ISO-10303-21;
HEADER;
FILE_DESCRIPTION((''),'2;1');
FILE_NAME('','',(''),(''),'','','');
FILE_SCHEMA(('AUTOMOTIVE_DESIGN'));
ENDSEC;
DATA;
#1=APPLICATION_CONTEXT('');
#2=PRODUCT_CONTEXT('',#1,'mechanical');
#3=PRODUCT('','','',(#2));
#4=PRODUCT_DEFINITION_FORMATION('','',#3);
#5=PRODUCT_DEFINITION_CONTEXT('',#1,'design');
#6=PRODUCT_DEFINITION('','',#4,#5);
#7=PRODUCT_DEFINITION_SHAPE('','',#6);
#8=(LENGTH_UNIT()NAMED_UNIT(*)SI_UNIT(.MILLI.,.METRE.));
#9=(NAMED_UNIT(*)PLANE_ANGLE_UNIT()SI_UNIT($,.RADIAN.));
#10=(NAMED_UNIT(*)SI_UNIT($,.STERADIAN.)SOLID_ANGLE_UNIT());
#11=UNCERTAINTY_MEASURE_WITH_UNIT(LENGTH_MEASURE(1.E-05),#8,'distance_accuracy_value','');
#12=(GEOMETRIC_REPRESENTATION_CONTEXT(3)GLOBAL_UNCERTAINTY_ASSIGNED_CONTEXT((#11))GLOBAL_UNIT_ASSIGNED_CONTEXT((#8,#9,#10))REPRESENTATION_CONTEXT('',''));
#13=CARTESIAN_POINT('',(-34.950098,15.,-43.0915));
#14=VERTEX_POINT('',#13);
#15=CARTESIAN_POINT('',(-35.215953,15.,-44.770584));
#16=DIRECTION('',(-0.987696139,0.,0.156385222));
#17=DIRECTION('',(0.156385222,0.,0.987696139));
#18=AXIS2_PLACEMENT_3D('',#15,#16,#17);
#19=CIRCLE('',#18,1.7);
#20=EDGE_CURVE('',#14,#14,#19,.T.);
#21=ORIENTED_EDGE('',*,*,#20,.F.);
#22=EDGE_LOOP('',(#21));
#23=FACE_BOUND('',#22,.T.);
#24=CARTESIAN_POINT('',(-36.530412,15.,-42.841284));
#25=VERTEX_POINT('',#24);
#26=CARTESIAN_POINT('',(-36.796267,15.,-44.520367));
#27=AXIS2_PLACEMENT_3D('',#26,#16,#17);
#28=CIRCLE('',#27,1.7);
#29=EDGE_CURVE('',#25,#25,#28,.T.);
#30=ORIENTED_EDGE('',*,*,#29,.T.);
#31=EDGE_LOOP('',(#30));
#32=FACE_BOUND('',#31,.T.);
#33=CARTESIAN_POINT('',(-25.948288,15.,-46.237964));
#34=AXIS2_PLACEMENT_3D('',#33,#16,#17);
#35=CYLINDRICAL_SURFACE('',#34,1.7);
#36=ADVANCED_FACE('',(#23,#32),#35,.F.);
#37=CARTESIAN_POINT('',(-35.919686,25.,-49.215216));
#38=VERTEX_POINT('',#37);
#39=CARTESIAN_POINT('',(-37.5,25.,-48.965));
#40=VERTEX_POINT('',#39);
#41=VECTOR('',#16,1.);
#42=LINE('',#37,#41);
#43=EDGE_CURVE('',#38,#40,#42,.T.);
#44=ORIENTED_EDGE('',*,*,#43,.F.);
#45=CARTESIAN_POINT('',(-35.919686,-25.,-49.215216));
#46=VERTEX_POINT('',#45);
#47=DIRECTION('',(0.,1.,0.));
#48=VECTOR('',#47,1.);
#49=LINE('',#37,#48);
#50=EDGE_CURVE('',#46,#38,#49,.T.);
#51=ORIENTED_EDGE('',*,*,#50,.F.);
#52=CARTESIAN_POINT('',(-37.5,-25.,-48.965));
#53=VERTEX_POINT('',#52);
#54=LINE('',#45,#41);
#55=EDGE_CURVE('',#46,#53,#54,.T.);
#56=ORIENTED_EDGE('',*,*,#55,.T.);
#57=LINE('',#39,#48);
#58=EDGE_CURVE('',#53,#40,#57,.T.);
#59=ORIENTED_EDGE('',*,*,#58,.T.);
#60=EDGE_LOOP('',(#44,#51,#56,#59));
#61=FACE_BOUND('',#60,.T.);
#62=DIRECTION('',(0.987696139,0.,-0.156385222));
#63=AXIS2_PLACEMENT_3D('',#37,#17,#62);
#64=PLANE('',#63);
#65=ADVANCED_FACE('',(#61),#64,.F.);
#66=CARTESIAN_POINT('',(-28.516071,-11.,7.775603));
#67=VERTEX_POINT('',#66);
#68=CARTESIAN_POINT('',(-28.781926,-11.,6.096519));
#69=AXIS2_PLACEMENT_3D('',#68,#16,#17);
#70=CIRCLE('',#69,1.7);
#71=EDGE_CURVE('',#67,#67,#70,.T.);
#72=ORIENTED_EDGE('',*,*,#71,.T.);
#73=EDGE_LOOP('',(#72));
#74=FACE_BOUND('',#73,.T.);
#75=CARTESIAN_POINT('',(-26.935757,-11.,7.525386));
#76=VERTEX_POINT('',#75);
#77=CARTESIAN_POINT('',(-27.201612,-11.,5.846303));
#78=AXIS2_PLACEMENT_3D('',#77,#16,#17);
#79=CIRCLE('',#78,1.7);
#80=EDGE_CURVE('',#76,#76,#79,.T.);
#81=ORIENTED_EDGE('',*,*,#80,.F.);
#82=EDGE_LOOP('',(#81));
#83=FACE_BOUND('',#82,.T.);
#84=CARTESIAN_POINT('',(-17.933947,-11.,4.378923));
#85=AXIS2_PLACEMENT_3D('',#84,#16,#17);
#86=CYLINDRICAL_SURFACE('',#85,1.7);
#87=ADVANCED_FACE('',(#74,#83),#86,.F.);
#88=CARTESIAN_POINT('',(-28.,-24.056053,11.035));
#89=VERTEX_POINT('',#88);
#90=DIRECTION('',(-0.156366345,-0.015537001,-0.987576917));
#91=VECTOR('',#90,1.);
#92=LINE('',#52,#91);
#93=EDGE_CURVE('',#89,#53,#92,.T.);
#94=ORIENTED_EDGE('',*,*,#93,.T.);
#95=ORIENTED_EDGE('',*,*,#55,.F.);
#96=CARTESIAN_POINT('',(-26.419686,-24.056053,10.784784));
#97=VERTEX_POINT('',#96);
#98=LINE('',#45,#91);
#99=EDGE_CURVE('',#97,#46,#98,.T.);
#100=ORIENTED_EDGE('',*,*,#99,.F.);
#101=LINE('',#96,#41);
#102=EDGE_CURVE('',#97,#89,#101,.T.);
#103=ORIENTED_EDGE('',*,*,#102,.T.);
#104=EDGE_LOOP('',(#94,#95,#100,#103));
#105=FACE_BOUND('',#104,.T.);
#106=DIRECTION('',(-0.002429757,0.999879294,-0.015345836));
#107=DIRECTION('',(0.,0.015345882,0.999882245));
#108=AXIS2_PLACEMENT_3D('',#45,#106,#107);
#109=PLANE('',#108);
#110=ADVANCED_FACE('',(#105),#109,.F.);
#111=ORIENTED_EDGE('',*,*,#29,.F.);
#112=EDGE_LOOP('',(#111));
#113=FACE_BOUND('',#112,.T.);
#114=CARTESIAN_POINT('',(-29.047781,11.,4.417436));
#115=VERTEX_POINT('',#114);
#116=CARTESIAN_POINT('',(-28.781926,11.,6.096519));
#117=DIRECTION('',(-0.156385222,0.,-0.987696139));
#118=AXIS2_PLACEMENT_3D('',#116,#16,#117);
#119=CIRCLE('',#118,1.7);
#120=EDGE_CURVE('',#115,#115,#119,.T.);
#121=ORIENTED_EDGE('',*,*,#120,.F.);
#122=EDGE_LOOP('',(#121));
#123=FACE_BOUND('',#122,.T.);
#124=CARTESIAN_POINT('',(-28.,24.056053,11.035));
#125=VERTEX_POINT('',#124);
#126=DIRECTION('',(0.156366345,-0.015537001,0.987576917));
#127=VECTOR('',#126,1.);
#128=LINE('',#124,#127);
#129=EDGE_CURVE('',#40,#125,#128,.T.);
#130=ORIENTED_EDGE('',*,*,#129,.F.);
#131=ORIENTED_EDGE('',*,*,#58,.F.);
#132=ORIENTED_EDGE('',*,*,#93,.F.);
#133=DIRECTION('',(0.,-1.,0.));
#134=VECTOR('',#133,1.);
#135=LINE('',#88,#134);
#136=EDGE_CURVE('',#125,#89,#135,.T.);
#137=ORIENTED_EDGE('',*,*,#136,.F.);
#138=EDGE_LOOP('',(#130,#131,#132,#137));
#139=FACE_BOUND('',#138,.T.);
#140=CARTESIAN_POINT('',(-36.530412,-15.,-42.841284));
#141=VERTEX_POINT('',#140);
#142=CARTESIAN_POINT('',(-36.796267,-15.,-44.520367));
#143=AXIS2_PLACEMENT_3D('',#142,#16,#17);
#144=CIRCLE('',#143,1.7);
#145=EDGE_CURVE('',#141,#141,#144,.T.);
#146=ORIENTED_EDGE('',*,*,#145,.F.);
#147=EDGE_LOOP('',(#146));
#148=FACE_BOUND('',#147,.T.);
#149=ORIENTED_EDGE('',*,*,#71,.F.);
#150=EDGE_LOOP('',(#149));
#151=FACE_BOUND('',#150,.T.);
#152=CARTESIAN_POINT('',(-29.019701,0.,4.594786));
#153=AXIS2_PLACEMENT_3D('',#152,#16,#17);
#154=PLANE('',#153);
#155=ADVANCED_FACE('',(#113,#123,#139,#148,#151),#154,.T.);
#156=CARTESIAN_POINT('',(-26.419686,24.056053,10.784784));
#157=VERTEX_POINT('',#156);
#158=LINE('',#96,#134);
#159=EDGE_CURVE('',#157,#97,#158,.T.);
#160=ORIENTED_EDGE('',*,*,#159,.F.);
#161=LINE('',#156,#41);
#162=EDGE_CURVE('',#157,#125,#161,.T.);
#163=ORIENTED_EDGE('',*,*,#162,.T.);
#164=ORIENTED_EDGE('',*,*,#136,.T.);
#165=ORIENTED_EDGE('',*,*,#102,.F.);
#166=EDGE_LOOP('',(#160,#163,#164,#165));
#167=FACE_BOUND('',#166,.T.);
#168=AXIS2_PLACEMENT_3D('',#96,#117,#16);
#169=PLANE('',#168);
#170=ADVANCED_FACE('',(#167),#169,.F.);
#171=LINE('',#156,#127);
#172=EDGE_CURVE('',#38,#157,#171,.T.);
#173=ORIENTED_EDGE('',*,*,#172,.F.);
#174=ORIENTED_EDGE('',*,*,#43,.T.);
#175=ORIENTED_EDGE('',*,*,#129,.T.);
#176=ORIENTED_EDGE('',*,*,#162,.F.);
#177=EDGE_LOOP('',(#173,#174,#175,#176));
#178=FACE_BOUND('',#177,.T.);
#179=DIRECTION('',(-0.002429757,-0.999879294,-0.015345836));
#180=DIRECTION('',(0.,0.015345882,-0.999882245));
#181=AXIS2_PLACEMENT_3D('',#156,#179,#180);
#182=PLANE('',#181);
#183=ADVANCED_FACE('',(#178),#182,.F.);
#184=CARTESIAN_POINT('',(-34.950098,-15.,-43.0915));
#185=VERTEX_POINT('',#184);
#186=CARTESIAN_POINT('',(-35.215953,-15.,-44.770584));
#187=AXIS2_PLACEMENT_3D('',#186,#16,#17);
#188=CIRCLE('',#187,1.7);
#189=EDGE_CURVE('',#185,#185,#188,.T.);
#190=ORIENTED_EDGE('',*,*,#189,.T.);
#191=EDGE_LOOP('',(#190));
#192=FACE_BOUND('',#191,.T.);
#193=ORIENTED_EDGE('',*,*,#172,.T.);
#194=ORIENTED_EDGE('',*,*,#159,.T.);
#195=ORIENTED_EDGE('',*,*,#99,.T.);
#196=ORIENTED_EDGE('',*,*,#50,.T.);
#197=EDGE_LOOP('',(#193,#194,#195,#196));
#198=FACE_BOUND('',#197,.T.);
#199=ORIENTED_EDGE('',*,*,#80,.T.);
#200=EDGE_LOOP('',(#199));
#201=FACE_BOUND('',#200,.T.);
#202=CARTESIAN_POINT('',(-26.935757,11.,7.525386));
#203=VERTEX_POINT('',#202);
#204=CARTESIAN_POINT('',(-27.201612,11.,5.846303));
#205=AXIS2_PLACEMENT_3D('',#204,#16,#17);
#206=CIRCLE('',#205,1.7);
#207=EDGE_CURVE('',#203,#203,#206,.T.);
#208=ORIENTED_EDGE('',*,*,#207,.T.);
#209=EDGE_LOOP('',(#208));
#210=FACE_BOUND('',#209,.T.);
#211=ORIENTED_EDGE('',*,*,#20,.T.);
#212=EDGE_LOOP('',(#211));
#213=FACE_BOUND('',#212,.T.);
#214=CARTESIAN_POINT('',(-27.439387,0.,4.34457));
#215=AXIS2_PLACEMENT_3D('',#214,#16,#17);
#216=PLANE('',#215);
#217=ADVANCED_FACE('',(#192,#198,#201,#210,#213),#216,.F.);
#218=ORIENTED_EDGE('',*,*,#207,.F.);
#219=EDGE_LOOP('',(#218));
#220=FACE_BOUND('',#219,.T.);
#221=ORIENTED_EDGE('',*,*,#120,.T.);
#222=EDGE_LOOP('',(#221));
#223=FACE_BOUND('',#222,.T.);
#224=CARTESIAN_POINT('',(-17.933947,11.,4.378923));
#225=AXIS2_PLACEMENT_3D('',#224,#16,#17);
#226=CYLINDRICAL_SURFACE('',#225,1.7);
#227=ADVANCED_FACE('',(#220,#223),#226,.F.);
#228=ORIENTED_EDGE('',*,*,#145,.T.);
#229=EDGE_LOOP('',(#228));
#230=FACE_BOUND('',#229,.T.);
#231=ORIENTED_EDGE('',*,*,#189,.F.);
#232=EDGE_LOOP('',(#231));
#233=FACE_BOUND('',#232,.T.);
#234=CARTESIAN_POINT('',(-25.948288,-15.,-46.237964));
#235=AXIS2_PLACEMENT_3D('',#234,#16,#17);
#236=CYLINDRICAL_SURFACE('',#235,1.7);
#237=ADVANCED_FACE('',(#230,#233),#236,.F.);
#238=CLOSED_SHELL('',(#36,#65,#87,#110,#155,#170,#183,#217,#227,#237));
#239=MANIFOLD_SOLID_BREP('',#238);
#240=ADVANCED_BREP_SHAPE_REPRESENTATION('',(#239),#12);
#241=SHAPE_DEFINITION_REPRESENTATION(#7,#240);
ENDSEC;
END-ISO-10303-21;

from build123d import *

# Parameters (mm, degrees)
BOSS_EXTRUDE1_DEPTH    = 1.6
BACK_MOUNTING_HOLES_R  = 1.7
CUT_EXTRUDE1_DEPTH     = 11.983113317
FRONT_MOUNTING_HOLES_R = 1.7
CUT_EXTRUDE2_DEPTH     = 11.983113317


with BuildPart() as part:
    # Sketch1 → Boss-Extrude1 (new body)
    with BuildSketch(Plane(origin=(-29.019700562, 0, 4.594785922), x_dir=(-0.156385222, 0, -0.987696139), z_dir=(0.987696139, 0, -0.156385222))):
        Polygon((-6.520440675, 24.056053189), (54.226987254, 25), (54.226987254, -25), (-6.520440675, -24.056053189), align=None)
    extrude(amount=BOSS_EXTRUDE1_DEPTH)

    # Back Mounting Holes → Cut-Extrude1 (cut, through all)
    with BuildSketch(Plane(origin=(-29.019700562, 0, 4.594785922), x_dir=(0.156385222, 0, 0.987696139), z_dir=(-0.987696139, 0, 0.156385222))):
        with Locations((1.520440675, -11)):
            Circle(BACK_MOUNTING_HOLES_R)
        with Locations((1.520440675, 11)):
            Circle(BACK_MOUNTING_HOLES_R)
    extrude(amount=-CUT_EXTRUDE1_DEPTH, mode=Mode.SUBTRACT)

    # Front Mounting Holes → Cut-Extrude2 (cut, through all)
    with BuildSketch(Plane(origin=(-29.019700562, 0, 4.594785922), x_dir=(0.156385222, 0, 0.987696139), z_dir=(-0.987696139, 0, 0.156385222))):
        with Locations((-49.726987254, 15)):
            Circle(FRONT_MOUNTING_HOLES_R)
        with Locations((-49.726987254, -15)):
            Circle(FRONT_MOUNTING_HOLES_R)
    extrude(amount=-CUT_EXTRUDE2_DEPTH, mode=Mode.SUBTRACT)


solid = part.part
